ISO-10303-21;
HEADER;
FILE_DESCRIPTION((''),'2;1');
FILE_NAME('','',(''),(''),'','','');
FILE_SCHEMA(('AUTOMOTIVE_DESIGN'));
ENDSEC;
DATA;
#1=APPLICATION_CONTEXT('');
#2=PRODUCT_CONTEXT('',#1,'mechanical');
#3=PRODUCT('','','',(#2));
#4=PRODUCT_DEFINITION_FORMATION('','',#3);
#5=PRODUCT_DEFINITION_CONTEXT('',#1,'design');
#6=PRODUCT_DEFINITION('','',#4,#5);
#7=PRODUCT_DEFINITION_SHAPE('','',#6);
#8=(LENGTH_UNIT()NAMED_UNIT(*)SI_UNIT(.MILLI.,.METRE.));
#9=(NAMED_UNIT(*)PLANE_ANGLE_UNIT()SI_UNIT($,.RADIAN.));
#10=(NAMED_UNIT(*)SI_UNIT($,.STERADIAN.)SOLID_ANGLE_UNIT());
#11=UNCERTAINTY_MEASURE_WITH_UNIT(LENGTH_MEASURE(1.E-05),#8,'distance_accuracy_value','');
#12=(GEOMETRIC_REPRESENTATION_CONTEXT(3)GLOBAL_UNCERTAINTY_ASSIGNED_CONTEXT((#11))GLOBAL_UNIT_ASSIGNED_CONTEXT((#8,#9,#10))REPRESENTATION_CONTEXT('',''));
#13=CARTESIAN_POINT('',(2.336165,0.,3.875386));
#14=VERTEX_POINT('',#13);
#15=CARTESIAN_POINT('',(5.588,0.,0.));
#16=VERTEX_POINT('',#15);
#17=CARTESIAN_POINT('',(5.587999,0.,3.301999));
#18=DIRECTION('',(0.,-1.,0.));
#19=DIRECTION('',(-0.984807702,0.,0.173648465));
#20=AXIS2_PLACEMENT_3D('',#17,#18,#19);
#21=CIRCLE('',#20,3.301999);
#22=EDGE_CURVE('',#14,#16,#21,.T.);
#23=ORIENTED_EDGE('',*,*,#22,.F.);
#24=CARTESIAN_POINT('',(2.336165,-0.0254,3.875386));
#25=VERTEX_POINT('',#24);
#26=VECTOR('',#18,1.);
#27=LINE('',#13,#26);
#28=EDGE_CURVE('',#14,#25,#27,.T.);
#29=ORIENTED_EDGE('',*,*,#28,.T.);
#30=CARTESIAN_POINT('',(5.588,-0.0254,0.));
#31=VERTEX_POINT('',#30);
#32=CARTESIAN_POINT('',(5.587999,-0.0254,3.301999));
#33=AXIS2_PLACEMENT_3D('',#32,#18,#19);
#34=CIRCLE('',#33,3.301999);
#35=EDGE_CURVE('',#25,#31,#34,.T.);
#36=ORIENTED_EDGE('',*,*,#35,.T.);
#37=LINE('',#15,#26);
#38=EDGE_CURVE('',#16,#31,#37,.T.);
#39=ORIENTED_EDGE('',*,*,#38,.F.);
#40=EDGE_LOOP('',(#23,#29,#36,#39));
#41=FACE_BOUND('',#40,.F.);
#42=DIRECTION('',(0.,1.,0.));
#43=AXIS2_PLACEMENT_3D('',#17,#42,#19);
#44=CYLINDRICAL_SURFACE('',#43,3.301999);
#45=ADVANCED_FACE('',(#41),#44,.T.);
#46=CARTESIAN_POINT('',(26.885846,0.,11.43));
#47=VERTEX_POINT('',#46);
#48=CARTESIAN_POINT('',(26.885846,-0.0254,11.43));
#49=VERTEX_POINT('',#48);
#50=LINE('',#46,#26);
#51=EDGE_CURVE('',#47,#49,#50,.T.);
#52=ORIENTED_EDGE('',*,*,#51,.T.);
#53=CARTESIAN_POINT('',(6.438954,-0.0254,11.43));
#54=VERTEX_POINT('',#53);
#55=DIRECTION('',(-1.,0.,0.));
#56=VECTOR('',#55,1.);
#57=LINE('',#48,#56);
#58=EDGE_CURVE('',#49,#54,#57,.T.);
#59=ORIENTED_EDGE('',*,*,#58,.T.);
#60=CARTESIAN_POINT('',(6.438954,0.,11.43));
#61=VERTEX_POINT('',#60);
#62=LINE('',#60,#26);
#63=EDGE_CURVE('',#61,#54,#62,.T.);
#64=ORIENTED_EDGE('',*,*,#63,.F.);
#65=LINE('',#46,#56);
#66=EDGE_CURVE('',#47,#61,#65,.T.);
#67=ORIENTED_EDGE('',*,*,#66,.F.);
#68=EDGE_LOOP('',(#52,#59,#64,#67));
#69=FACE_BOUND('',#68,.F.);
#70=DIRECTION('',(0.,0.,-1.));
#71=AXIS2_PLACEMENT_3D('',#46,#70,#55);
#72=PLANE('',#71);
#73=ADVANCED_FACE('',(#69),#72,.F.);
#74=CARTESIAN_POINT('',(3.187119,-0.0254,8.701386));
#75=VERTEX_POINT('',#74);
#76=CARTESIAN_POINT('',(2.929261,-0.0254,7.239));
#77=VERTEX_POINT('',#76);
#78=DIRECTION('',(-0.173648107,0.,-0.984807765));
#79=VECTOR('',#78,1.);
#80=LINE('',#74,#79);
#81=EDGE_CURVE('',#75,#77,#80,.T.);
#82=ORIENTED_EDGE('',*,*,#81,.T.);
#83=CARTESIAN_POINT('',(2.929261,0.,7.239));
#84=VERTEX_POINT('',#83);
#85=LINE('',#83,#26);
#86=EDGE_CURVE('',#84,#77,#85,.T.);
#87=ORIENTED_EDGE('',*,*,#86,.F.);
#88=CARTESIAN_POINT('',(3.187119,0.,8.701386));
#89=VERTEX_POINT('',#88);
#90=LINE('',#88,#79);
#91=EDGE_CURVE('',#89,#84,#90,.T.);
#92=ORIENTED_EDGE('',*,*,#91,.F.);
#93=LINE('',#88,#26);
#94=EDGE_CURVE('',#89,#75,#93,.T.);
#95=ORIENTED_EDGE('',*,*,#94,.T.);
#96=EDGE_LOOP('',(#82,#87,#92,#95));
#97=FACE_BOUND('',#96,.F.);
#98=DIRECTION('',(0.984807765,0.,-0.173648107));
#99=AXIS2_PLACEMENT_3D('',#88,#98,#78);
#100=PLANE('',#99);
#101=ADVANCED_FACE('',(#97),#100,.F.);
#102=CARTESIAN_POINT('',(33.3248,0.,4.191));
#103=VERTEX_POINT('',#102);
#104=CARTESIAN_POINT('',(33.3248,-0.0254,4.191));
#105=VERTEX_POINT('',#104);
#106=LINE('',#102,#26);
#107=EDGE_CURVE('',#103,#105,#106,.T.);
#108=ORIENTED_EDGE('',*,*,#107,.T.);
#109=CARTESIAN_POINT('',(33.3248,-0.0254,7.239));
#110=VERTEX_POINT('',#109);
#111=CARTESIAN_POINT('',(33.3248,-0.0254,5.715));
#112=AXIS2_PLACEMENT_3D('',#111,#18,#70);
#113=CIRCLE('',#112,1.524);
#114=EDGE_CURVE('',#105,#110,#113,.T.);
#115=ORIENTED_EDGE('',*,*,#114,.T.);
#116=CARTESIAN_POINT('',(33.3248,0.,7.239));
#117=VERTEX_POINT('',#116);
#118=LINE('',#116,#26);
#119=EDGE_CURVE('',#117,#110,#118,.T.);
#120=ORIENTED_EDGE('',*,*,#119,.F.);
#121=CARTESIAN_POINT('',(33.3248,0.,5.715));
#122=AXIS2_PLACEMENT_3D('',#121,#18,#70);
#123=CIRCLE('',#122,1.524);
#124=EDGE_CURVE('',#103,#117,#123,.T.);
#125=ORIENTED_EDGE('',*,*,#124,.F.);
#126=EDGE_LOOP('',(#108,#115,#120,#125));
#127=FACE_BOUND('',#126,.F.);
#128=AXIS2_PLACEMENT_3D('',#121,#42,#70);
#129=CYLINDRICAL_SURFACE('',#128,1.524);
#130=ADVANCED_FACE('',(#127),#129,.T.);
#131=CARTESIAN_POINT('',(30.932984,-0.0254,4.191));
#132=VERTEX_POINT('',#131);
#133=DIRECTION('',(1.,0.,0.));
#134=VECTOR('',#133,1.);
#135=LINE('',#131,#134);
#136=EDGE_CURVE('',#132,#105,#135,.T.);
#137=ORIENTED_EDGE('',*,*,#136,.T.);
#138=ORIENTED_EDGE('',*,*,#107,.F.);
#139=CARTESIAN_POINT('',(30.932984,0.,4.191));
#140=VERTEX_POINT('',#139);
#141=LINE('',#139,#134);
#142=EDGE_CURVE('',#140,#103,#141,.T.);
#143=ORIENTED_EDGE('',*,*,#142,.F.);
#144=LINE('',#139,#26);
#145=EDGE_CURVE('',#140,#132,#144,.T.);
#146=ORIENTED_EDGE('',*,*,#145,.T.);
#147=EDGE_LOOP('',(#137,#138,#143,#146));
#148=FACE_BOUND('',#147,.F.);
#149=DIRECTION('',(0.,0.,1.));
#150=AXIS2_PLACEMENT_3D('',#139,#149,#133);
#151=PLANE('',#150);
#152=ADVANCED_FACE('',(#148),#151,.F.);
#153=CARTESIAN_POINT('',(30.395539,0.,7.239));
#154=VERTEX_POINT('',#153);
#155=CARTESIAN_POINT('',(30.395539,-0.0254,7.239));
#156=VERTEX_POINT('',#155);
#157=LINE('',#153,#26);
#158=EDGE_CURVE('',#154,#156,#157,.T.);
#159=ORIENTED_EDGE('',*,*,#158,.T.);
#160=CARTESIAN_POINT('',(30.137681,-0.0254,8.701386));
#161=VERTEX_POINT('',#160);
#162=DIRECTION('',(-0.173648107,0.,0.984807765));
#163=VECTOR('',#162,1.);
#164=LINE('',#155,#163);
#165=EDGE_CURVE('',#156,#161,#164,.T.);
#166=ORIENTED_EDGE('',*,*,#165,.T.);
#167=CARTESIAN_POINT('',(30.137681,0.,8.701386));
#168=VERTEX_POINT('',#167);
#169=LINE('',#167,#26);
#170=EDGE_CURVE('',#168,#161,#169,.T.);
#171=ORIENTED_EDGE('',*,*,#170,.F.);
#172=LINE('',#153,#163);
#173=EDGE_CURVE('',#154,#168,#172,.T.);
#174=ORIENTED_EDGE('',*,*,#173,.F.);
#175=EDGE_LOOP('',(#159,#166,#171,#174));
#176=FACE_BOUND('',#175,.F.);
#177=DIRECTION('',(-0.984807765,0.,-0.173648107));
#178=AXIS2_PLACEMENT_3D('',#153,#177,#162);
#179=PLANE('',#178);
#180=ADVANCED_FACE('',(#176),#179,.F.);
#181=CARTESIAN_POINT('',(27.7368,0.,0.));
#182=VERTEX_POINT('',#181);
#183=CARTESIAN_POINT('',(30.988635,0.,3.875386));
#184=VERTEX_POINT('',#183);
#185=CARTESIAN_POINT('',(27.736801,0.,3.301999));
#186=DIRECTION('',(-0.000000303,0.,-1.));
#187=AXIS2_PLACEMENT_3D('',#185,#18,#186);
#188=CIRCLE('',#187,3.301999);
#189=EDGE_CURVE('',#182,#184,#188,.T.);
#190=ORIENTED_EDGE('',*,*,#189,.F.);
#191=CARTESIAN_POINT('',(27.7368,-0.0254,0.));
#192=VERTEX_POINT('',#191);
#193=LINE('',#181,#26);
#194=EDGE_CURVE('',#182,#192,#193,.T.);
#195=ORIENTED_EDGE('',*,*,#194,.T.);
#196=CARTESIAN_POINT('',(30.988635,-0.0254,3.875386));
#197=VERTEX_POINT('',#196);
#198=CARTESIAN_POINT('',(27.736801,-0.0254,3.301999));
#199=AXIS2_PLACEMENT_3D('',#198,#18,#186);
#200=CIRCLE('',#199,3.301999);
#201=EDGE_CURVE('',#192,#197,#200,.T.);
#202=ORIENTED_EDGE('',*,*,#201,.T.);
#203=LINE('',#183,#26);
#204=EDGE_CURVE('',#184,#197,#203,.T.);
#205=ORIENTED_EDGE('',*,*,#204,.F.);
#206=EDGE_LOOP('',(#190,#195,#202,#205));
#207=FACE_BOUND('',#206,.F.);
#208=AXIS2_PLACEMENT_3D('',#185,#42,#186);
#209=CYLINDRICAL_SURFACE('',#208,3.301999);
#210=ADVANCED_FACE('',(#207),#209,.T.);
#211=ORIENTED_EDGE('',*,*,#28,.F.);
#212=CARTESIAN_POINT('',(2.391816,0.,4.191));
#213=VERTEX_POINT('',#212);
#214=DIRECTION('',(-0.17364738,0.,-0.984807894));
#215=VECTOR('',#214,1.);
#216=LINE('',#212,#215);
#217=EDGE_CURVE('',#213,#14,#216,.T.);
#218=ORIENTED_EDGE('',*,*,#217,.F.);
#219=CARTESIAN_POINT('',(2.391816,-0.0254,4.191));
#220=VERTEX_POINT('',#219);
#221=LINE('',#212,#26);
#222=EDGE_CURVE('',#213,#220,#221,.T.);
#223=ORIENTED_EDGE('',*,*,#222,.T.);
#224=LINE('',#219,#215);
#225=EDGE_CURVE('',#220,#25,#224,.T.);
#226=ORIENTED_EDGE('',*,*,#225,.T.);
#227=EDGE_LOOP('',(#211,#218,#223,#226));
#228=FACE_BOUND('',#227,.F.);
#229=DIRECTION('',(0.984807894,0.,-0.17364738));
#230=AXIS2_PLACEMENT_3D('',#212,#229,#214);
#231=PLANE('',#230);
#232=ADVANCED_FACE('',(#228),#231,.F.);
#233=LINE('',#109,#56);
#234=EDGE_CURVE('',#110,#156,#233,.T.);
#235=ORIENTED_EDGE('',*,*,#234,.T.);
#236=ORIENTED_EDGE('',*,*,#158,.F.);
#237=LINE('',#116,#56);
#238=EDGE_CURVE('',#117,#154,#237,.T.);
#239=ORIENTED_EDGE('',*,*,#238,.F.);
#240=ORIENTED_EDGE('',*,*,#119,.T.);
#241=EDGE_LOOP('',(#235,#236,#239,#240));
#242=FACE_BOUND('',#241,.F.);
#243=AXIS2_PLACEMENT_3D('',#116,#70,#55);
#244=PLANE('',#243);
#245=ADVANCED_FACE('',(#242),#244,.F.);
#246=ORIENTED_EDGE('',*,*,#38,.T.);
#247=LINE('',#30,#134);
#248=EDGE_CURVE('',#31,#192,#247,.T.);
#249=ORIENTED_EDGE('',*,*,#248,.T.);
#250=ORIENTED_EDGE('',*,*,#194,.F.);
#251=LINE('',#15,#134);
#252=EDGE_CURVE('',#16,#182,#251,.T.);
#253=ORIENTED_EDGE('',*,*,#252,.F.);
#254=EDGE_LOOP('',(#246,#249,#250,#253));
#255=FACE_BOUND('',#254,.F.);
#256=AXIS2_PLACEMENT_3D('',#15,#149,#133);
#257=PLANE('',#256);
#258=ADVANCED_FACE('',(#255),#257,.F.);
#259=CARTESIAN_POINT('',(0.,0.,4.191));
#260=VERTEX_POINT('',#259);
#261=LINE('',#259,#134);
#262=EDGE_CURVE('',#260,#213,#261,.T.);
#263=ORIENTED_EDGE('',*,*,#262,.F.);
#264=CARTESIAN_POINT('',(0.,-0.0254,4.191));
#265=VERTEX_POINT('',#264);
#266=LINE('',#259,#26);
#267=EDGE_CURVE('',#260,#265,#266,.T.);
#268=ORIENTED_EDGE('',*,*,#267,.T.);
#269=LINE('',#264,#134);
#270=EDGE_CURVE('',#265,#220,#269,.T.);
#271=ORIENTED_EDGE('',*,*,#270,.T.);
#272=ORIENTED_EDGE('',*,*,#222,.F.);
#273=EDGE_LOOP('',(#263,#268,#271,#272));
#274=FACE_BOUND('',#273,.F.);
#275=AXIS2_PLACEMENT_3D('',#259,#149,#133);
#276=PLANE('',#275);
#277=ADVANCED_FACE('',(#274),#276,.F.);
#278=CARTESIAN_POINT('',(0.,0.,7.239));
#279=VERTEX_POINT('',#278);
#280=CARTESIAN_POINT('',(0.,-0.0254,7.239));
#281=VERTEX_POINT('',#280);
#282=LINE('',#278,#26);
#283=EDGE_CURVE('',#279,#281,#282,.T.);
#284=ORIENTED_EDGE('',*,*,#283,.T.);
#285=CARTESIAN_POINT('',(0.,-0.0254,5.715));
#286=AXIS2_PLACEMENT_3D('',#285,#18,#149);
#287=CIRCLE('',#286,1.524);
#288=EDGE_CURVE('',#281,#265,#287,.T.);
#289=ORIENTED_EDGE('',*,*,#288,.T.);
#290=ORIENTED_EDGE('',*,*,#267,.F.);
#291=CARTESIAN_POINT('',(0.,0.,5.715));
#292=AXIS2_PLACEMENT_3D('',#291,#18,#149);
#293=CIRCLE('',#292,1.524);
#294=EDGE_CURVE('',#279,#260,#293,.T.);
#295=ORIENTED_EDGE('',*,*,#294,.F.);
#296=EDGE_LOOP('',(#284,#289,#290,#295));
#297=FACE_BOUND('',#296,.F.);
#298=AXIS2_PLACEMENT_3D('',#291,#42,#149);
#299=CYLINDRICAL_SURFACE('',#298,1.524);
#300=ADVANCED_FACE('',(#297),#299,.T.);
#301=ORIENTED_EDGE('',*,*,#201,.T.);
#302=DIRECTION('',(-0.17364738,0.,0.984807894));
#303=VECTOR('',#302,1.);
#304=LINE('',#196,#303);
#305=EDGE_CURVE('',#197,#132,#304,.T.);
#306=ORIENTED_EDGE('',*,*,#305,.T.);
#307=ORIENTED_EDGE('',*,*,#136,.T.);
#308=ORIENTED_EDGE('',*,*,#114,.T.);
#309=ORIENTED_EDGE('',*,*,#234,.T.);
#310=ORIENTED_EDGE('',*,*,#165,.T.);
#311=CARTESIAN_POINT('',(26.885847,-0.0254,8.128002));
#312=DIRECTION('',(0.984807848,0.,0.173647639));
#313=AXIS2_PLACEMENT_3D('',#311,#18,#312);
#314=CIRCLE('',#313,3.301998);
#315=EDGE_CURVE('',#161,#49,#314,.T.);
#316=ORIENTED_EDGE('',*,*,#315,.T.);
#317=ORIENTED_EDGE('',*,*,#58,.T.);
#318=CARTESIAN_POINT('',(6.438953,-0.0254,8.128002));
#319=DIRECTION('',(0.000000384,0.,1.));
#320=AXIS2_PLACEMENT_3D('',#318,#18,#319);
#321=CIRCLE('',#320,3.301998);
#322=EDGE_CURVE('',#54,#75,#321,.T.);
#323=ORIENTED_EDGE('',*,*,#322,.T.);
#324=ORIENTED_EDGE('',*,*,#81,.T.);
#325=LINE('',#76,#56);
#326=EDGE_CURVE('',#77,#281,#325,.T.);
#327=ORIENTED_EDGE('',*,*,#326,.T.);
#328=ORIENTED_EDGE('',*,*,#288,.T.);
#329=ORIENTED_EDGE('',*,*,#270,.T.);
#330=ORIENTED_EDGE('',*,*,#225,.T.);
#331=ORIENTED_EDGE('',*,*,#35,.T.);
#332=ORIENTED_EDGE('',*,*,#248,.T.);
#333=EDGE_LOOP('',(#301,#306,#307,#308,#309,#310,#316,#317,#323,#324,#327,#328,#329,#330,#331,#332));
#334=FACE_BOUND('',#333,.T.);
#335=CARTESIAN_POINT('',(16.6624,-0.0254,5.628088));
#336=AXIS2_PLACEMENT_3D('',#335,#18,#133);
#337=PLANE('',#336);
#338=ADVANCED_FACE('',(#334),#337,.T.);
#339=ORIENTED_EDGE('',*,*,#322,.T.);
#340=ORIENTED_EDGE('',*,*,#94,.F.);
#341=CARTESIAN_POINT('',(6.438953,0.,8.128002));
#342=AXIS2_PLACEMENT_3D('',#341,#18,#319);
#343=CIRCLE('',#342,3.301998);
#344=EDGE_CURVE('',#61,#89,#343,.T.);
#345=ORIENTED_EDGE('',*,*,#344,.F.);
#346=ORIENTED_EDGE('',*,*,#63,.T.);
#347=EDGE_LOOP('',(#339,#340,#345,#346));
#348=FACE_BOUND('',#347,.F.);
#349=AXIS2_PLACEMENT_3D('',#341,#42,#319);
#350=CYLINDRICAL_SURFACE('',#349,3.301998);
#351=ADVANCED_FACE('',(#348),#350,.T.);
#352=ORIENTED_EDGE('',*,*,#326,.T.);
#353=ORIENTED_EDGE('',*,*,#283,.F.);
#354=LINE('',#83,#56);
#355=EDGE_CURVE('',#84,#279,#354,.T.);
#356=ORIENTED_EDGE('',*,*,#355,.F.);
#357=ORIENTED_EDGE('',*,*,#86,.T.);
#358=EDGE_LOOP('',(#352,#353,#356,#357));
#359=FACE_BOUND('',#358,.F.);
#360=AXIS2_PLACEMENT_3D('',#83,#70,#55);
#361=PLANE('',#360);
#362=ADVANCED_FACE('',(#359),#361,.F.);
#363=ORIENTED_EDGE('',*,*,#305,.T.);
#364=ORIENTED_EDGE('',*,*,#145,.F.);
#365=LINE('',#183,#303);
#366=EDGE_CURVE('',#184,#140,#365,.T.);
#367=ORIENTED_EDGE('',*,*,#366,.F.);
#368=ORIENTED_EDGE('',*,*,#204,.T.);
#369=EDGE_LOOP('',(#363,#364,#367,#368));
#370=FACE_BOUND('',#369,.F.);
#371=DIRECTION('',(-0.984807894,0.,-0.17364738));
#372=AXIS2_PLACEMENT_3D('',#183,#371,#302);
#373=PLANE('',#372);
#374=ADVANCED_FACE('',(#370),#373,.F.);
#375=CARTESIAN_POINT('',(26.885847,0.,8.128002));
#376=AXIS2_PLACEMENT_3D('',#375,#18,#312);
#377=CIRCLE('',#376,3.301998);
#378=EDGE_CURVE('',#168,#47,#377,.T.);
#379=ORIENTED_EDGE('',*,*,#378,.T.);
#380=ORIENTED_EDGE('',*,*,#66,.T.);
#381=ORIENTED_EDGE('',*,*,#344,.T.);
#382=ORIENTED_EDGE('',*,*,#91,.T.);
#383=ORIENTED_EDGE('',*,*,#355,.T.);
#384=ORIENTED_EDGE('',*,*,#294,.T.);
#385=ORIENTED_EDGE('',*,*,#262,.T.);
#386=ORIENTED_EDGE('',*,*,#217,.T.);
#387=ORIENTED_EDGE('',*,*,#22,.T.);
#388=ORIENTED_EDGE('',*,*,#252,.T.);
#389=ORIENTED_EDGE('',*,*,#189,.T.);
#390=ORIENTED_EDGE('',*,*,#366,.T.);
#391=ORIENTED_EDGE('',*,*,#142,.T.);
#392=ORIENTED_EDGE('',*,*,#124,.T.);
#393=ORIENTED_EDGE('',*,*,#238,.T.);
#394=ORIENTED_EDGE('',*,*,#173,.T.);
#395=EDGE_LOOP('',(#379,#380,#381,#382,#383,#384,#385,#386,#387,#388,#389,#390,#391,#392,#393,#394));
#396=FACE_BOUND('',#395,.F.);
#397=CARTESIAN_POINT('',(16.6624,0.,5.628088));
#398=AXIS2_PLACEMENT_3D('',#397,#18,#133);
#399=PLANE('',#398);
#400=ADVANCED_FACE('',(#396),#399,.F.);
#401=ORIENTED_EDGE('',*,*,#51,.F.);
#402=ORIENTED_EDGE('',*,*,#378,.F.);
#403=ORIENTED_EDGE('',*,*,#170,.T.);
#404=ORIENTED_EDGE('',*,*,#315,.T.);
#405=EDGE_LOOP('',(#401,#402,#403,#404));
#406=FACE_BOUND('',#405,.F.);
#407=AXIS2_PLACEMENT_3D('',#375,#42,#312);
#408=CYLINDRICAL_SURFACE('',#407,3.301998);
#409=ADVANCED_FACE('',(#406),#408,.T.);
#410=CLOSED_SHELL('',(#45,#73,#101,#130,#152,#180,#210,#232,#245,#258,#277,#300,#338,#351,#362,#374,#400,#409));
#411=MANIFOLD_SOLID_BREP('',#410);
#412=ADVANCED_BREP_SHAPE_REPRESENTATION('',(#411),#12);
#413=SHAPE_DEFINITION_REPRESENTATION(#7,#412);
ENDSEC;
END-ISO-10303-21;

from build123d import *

# Parameters (mm, degrees)
F1_DEPTH = 0.0254


with BuildPart() as f1:
    # F0 (on Front) → F1 (new body)
    with BuildSketch(Plane.XZ):
        with BuildLine():
            ThreePointArc((6.438954, 11.43), (4.316469, 10.657479), (3.187119, 8.701386))
            Line((3.187119, 8.701386), (2.929261, 7.239))
            Line((2.929261, 7.239), (0, 7.239))
            ThreePointArc((0, 7.239), (-1.524, 5.715), (0, 4.191))
            Line((0, 4.191), (2.391816, 4.191))
            Line((2.391816, 4.191), (2.336165, 3.875386))
            ThreePointArc((2.336165, 3.875386), (3.058521, 1.179515), (5.588, 0))
            Line((5.588, 0), (27.7368, 0))
            ThreePointArc((27.7368, 0), (30.266279, 1.179515), (30.988635, 3.875386))
            Line((30.988635, 3.875386), (30.932984, 4.191))
            Line((30.932984, 4.191), (33.3248, 4.191))
            ThreePointArc((33.3248, 4.191), (34.8488, 5.715), (33.3248, 7.239))
            Line((33.3248, 7.239), (30.395539, 7.239))
            Line((30.395539, 7.239), (30.137681, 8.701386))
            ThreePointArc((30.137681, 8.701386), (29.008331, 10.657479), (26.885846, 11.43))
            Line((26.885846, 11.43), (6.438954, 11.43))
        make_face()
    extrude(amount=F1_DEPTH)


solid = f1.part
